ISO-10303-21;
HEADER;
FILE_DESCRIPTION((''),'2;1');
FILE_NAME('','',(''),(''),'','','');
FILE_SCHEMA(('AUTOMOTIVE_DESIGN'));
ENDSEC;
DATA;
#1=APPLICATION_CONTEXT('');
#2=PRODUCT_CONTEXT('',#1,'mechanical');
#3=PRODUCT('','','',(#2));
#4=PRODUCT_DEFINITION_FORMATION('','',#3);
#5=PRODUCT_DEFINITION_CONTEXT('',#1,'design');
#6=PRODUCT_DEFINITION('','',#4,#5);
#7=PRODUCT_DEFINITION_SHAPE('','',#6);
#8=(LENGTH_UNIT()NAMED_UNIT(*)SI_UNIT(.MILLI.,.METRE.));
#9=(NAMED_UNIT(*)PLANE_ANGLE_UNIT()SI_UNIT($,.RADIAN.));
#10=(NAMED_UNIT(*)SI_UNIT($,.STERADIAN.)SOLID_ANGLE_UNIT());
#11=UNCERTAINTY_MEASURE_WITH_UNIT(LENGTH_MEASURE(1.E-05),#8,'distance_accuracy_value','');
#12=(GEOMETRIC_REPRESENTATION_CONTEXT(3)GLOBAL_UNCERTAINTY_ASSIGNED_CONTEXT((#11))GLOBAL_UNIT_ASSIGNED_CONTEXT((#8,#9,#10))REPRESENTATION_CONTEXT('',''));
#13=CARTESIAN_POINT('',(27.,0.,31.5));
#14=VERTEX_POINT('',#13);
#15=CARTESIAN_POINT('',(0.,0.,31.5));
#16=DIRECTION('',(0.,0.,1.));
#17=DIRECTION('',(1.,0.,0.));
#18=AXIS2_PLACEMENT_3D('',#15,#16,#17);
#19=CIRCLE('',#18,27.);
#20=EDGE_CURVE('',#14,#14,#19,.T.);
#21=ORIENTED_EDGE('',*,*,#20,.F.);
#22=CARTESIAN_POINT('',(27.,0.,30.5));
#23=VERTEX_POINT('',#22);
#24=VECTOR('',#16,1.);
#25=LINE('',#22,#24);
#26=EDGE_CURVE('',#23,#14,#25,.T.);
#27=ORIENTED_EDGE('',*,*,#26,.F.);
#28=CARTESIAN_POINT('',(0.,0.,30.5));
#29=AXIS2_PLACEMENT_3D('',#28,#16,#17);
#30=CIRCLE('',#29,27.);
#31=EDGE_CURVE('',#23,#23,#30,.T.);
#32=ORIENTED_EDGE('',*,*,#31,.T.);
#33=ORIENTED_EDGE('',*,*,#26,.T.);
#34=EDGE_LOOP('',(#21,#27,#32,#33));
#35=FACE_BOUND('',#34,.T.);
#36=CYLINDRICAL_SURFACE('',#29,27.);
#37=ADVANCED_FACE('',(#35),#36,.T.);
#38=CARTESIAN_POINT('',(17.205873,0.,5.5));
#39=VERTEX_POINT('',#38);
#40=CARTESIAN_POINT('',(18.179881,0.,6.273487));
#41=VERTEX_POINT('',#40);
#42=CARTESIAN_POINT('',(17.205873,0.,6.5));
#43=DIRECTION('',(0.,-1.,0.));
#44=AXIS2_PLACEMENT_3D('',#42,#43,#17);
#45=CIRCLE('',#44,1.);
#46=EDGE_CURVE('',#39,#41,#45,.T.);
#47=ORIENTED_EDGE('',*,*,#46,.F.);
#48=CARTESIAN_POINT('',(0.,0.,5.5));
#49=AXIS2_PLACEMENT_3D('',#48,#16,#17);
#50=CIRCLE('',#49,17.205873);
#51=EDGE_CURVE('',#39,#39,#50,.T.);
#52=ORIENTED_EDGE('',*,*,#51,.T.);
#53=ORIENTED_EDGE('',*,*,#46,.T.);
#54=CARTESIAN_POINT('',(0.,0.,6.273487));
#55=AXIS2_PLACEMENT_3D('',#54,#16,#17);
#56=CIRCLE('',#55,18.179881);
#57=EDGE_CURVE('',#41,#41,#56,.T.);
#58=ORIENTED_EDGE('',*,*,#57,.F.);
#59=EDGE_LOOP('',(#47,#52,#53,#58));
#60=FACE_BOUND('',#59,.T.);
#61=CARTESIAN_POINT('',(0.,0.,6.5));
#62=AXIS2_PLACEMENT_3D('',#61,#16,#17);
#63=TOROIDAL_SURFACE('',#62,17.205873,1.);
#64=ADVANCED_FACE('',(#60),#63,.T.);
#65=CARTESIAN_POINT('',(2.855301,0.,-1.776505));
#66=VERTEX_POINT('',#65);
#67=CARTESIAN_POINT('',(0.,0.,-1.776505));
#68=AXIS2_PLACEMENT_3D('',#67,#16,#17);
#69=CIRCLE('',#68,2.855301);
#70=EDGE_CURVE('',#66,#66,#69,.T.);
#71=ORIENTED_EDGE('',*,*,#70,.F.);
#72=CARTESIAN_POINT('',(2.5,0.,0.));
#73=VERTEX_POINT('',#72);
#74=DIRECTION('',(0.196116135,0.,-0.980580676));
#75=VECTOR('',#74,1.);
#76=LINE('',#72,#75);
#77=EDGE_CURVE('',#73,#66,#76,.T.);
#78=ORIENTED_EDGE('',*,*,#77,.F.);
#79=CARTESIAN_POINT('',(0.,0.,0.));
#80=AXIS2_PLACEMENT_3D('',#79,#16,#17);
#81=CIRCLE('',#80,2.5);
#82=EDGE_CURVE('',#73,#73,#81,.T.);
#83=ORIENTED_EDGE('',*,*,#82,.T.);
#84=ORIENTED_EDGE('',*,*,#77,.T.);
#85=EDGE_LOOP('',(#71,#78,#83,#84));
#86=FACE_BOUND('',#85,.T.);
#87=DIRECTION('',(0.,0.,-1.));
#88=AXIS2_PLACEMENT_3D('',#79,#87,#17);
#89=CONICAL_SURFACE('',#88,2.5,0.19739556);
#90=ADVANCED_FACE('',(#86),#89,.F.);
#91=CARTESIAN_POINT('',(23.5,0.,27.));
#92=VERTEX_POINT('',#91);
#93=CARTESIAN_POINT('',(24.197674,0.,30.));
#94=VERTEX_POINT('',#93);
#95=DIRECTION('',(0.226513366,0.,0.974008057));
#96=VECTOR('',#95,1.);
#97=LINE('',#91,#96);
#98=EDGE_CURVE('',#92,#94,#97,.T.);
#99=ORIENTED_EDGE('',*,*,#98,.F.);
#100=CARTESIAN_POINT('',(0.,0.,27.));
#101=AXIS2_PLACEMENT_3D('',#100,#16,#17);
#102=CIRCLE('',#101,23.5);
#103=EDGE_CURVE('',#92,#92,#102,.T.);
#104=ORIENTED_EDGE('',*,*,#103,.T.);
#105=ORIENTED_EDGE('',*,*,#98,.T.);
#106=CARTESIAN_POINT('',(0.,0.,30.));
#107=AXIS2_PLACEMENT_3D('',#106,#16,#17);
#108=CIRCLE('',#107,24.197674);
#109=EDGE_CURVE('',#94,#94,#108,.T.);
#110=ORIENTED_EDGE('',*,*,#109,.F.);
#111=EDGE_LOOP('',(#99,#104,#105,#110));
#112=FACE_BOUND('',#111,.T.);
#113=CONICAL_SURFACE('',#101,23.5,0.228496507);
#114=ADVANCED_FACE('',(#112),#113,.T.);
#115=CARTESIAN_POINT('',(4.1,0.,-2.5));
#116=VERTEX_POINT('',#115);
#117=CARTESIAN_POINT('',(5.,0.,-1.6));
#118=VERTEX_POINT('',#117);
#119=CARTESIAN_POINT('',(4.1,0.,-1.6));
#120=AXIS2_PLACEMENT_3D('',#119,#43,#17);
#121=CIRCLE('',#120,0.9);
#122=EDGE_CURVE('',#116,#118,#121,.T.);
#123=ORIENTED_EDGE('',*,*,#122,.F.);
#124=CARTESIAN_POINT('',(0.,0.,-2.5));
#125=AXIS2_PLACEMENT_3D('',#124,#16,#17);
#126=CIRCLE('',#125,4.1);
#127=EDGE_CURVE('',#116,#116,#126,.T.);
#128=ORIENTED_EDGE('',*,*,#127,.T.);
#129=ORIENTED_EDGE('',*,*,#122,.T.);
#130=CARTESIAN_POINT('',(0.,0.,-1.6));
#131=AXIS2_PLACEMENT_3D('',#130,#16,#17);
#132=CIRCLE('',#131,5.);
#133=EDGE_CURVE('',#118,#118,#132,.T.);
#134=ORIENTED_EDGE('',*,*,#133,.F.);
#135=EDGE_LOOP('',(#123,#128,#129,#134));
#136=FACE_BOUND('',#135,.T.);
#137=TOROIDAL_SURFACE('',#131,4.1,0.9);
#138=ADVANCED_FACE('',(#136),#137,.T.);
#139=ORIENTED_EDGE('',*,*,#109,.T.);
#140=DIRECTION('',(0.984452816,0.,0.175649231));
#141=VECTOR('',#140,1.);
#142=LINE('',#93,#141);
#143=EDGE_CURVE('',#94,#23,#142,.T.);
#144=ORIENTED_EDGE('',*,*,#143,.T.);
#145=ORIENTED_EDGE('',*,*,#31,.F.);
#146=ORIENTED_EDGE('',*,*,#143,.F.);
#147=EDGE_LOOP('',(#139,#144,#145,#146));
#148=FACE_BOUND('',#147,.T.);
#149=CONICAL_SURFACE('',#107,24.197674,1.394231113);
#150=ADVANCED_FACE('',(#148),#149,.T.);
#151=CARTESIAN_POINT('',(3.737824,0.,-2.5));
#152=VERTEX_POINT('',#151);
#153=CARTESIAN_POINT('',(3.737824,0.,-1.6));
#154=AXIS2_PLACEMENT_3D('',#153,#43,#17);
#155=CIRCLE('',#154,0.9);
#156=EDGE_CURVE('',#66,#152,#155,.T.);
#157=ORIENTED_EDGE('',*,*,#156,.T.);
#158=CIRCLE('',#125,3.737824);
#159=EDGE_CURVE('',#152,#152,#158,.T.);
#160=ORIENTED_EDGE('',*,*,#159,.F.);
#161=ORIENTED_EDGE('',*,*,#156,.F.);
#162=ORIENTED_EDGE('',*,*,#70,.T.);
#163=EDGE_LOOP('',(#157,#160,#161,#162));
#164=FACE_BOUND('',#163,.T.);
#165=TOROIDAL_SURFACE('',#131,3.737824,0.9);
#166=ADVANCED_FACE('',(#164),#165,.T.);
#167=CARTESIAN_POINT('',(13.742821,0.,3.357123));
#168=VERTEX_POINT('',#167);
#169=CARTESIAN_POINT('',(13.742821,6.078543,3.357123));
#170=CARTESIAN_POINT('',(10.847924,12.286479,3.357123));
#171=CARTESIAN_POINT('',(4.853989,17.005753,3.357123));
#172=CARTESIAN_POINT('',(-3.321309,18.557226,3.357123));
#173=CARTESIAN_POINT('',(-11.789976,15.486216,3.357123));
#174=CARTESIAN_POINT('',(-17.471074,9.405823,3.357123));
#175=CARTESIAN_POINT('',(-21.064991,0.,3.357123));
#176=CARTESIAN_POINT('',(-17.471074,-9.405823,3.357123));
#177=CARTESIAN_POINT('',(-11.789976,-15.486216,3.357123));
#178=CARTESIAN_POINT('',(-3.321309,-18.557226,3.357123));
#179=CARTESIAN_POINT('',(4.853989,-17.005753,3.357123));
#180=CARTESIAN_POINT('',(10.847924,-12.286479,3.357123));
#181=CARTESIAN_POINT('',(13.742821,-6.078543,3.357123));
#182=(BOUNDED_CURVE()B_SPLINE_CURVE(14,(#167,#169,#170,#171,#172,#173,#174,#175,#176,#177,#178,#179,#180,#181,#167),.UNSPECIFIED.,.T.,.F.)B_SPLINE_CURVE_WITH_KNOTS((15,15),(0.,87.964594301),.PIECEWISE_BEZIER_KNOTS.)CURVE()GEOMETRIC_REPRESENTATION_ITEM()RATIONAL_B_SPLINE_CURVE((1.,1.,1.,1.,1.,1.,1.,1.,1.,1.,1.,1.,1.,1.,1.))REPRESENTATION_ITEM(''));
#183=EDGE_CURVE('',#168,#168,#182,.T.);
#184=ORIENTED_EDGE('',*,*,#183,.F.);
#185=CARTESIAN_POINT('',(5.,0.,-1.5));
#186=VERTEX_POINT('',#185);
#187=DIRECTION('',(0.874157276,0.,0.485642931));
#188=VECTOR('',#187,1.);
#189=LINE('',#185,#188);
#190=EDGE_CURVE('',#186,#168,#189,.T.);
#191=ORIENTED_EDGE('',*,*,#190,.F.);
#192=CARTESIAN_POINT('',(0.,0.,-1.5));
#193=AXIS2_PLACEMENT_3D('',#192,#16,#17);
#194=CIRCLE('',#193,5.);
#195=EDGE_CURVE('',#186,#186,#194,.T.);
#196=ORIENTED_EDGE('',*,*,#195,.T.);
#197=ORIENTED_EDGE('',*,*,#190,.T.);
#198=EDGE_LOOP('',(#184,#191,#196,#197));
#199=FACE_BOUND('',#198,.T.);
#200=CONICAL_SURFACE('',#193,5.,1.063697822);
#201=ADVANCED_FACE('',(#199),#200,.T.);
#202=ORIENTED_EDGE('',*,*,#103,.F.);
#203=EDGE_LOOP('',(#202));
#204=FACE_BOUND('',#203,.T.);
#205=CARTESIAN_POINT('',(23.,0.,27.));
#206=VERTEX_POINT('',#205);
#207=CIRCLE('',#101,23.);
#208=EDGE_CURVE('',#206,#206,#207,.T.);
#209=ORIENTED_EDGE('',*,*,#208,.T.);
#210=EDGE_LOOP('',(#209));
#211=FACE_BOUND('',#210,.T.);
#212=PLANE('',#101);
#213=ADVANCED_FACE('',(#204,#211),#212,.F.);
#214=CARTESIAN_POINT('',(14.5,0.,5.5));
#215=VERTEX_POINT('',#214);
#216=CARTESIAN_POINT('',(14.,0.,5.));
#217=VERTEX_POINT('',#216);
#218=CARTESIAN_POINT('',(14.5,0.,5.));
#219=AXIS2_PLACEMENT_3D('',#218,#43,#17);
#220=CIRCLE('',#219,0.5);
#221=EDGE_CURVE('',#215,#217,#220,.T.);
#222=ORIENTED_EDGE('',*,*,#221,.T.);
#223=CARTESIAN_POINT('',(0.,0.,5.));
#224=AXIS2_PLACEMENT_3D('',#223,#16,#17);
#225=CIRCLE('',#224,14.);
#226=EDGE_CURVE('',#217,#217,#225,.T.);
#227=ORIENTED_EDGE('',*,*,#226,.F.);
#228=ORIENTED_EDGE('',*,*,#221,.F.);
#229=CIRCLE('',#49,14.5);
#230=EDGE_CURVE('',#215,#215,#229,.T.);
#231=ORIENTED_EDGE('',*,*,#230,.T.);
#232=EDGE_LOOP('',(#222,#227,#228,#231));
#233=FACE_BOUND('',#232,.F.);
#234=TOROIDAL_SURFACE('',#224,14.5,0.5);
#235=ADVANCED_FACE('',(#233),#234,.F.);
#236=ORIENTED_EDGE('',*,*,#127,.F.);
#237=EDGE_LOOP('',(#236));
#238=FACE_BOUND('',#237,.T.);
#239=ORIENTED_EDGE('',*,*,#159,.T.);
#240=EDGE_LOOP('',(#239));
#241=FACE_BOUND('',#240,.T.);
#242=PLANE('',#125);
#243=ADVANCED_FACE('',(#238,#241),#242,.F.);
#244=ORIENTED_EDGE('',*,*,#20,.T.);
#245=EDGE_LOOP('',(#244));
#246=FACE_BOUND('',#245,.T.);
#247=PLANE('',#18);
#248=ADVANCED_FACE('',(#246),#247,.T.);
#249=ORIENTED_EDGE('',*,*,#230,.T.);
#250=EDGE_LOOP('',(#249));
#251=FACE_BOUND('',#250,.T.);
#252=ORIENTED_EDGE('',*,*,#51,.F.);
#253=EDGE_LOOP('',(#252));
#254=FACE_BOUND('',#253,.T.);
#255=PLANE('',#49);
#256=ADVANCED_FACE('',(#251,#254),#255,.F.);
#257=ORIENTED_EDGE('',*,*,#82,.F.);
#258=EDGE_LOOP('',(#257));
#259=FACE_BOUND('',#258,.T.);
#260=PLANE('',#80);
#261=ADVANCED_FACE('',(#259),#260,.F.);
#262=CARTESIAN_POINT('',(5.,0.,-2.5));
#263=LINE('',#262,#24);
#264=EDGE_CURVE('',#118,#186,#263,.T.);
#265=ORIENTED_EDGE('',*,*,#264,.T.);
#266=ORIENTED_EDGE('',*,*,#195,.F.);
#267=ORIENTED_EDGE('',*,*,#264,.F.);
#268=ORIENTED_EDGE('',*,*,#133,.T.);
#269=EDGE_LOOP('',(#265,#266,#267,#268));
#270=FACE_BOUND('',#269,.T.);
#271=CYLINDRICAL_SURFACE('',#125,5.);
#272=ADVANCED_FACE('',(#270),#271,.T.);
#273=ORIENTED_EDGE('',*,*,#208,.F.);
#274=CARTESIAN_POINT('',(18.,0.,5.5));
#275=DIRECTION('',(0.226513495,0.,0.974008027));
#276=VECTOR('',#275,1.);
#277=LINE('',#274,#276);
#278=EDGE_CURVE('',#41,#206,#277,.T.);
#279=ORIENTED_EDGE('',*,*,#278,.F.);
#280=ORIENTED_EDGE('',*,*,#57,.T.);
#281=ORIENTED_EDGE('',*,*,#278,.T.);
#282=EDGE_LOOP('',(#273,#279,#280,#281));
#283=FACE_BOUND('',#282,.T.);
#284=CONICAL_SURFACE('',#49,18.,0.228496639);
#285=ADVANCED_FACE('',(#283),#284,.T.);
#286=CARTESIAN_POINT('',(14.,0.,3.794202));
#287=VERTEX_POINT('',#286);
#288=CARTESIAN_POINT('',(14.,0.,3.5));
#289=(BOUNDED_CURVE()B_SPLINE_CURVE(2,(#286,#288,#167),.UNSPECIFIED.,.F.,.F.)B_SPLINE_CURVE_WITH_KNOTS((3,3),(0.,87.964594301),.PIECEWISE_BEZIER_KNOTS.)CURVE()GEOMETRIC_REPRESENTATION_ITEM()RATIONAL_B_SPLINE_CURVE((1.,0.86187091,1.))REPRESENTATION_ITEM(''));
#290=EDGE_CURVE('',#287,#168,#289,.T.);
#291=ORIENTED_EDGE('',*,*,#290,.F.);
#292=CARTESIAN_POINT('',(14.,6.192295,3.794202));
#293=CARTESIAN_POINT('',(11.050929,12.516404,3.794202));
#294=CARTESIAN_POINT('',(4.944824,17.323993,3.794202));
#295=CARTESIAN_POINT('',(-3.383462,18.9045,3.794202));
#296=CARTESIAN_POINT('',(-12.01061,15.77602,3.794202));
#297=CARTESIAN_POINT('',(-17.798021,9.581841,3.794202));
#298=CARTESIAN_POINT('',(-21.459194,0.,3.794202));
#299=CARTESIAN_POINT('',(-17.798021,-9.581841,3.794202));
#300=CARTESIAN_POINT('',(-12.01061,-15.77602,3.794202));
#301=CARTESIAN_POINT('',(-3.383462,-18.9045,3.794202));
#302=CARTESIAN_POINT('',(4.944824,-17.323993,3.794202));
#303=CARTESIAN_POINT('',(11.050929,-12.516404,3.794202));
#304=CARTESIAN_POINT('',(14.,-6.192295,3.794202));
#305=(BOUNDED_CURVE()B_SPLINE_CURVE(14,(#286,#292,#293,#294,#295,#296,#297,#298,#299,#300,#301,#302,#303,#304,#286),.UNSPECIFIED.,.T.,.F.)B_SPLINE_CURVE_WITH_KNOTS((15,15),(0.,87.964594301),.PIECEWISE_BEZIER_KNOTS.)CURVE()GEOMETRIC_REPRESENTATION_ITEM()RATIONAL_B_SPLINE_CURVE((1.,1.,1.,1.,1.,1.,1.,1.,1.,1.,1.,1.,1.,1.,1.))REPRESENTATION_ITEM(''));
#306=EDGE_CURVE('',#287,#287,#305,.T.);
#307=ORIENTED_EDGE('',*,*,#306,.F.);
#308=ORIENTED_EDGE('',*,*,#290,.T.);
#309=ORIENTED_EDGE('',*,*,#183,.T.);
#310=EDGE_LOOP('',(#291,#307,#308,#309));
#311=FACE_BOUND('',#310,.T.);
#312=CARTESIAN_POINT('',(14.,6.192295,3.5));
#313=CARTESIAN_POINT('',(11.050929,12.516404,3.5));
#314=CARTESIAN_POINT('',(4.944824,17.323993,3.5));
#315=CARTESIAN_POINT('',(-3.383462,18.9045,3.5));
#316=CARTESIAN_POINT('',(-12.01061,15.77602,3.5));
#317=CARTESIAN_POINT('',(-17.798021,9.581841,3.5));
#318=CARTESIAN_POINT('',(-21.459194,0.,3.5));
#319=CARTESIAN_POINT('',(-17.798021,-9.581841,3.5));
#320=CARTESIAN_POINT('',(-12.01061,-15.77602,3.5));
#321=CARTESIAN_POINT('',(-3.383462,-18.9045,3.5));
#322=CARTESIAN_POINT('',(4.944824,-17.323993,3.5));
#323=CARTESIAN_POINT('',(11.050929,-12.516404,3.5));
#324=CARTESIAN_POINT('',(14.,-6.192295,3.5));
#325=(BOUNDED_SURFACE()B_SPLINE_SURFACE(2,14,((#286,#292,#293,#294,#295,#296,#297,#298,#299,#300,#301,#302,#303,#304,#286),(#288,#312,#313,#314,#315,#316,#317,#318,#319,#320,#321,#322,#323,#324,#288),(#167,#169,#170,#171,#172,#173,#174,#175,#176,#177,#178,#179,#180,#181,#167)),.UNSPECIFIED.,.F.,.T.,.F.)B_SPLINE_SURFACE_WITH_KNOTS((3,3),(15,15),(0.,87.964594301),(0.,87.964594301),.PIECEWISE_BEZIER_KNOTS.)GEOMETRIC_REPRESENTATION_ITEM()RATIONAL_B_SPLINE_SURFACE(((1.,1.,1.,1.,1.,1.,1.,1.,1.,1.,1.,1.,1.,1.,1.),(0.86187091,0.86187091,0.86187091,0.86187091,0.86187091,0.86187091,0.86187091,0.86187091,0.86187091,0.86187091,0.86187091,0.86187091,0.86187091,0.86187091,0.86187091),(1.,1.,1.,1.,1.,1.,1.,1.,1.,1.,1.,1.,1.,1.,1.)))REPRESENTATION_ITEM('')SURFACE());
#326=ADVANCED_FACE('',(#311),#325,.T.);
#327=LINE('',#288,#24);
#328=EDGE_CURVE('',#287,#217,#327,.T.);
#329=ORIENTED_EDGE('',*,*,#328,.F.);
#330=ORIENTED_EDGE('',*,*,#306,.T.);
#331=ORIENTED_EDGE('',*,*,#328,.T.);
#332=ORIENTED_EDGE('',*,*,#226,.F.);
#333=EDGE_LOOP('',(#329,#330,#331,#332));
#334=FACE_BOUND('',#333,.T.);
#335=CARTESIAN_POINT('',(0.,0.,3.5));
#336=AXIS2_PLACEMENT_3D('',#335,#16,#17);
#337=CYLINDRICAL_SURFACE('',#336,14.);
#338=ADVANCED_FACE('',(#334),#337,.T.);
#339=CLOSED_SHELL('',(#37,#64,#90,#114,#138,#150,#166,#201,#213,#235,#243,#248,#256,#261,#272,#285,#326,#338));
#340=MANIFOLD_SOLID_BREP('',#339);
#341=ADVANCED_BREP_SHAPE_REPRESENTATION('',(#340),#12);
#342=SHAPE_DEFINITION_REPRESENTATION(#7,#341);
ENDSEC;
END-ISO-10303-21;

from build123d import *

# Parameters (mm, degrees)
FILLET_R    = 0.9
FILLET001_R = 1
FILLET002_R = 0.5


with BuildPart() as part:
    # Sketch → Revolution (revolve)
    with BuildSketch(Plane.XZ):
        Polygon((0, 0), (2.5, 0), (3, -2.5), (5, -2.5), (5, -1.5), (14, 3.5), (14, 5.5), (18, 5.5), (23, 27), (23.5, 27), (24.197674, 30), (27, 30.5), (27, 31.5), (0, 31.5), align=None)
    revolve(axis=Axis((0, 0, 0), (0, 0, 1)))

    # Fillet
    fillet_edges = [part.edges().sort_by_distance(p)[0] for p in [
        (-3, 0, -2.5),
        (-5, 0, -2.5),
    ]]
    fillet(fillet_edges, radius=FILLET_R)

    # Fillet001
    fillet001_edges = [part.edges().sort_by_distance(p)[0] for p in [
        (-18, 0, 5.5),
    ]]
    fillet(fillet001_edges, radius=FILLET001_R)

    # Fillet002
    fillet002_edges = [part.edges().sort_by_distance(p)[0] for p in [
        (-14, 0, 3.5),
        (-14, 0, 5.5),
    ]]
    fillet(fillet002_edges, radius=FILLET002_R)


solid = part.part
